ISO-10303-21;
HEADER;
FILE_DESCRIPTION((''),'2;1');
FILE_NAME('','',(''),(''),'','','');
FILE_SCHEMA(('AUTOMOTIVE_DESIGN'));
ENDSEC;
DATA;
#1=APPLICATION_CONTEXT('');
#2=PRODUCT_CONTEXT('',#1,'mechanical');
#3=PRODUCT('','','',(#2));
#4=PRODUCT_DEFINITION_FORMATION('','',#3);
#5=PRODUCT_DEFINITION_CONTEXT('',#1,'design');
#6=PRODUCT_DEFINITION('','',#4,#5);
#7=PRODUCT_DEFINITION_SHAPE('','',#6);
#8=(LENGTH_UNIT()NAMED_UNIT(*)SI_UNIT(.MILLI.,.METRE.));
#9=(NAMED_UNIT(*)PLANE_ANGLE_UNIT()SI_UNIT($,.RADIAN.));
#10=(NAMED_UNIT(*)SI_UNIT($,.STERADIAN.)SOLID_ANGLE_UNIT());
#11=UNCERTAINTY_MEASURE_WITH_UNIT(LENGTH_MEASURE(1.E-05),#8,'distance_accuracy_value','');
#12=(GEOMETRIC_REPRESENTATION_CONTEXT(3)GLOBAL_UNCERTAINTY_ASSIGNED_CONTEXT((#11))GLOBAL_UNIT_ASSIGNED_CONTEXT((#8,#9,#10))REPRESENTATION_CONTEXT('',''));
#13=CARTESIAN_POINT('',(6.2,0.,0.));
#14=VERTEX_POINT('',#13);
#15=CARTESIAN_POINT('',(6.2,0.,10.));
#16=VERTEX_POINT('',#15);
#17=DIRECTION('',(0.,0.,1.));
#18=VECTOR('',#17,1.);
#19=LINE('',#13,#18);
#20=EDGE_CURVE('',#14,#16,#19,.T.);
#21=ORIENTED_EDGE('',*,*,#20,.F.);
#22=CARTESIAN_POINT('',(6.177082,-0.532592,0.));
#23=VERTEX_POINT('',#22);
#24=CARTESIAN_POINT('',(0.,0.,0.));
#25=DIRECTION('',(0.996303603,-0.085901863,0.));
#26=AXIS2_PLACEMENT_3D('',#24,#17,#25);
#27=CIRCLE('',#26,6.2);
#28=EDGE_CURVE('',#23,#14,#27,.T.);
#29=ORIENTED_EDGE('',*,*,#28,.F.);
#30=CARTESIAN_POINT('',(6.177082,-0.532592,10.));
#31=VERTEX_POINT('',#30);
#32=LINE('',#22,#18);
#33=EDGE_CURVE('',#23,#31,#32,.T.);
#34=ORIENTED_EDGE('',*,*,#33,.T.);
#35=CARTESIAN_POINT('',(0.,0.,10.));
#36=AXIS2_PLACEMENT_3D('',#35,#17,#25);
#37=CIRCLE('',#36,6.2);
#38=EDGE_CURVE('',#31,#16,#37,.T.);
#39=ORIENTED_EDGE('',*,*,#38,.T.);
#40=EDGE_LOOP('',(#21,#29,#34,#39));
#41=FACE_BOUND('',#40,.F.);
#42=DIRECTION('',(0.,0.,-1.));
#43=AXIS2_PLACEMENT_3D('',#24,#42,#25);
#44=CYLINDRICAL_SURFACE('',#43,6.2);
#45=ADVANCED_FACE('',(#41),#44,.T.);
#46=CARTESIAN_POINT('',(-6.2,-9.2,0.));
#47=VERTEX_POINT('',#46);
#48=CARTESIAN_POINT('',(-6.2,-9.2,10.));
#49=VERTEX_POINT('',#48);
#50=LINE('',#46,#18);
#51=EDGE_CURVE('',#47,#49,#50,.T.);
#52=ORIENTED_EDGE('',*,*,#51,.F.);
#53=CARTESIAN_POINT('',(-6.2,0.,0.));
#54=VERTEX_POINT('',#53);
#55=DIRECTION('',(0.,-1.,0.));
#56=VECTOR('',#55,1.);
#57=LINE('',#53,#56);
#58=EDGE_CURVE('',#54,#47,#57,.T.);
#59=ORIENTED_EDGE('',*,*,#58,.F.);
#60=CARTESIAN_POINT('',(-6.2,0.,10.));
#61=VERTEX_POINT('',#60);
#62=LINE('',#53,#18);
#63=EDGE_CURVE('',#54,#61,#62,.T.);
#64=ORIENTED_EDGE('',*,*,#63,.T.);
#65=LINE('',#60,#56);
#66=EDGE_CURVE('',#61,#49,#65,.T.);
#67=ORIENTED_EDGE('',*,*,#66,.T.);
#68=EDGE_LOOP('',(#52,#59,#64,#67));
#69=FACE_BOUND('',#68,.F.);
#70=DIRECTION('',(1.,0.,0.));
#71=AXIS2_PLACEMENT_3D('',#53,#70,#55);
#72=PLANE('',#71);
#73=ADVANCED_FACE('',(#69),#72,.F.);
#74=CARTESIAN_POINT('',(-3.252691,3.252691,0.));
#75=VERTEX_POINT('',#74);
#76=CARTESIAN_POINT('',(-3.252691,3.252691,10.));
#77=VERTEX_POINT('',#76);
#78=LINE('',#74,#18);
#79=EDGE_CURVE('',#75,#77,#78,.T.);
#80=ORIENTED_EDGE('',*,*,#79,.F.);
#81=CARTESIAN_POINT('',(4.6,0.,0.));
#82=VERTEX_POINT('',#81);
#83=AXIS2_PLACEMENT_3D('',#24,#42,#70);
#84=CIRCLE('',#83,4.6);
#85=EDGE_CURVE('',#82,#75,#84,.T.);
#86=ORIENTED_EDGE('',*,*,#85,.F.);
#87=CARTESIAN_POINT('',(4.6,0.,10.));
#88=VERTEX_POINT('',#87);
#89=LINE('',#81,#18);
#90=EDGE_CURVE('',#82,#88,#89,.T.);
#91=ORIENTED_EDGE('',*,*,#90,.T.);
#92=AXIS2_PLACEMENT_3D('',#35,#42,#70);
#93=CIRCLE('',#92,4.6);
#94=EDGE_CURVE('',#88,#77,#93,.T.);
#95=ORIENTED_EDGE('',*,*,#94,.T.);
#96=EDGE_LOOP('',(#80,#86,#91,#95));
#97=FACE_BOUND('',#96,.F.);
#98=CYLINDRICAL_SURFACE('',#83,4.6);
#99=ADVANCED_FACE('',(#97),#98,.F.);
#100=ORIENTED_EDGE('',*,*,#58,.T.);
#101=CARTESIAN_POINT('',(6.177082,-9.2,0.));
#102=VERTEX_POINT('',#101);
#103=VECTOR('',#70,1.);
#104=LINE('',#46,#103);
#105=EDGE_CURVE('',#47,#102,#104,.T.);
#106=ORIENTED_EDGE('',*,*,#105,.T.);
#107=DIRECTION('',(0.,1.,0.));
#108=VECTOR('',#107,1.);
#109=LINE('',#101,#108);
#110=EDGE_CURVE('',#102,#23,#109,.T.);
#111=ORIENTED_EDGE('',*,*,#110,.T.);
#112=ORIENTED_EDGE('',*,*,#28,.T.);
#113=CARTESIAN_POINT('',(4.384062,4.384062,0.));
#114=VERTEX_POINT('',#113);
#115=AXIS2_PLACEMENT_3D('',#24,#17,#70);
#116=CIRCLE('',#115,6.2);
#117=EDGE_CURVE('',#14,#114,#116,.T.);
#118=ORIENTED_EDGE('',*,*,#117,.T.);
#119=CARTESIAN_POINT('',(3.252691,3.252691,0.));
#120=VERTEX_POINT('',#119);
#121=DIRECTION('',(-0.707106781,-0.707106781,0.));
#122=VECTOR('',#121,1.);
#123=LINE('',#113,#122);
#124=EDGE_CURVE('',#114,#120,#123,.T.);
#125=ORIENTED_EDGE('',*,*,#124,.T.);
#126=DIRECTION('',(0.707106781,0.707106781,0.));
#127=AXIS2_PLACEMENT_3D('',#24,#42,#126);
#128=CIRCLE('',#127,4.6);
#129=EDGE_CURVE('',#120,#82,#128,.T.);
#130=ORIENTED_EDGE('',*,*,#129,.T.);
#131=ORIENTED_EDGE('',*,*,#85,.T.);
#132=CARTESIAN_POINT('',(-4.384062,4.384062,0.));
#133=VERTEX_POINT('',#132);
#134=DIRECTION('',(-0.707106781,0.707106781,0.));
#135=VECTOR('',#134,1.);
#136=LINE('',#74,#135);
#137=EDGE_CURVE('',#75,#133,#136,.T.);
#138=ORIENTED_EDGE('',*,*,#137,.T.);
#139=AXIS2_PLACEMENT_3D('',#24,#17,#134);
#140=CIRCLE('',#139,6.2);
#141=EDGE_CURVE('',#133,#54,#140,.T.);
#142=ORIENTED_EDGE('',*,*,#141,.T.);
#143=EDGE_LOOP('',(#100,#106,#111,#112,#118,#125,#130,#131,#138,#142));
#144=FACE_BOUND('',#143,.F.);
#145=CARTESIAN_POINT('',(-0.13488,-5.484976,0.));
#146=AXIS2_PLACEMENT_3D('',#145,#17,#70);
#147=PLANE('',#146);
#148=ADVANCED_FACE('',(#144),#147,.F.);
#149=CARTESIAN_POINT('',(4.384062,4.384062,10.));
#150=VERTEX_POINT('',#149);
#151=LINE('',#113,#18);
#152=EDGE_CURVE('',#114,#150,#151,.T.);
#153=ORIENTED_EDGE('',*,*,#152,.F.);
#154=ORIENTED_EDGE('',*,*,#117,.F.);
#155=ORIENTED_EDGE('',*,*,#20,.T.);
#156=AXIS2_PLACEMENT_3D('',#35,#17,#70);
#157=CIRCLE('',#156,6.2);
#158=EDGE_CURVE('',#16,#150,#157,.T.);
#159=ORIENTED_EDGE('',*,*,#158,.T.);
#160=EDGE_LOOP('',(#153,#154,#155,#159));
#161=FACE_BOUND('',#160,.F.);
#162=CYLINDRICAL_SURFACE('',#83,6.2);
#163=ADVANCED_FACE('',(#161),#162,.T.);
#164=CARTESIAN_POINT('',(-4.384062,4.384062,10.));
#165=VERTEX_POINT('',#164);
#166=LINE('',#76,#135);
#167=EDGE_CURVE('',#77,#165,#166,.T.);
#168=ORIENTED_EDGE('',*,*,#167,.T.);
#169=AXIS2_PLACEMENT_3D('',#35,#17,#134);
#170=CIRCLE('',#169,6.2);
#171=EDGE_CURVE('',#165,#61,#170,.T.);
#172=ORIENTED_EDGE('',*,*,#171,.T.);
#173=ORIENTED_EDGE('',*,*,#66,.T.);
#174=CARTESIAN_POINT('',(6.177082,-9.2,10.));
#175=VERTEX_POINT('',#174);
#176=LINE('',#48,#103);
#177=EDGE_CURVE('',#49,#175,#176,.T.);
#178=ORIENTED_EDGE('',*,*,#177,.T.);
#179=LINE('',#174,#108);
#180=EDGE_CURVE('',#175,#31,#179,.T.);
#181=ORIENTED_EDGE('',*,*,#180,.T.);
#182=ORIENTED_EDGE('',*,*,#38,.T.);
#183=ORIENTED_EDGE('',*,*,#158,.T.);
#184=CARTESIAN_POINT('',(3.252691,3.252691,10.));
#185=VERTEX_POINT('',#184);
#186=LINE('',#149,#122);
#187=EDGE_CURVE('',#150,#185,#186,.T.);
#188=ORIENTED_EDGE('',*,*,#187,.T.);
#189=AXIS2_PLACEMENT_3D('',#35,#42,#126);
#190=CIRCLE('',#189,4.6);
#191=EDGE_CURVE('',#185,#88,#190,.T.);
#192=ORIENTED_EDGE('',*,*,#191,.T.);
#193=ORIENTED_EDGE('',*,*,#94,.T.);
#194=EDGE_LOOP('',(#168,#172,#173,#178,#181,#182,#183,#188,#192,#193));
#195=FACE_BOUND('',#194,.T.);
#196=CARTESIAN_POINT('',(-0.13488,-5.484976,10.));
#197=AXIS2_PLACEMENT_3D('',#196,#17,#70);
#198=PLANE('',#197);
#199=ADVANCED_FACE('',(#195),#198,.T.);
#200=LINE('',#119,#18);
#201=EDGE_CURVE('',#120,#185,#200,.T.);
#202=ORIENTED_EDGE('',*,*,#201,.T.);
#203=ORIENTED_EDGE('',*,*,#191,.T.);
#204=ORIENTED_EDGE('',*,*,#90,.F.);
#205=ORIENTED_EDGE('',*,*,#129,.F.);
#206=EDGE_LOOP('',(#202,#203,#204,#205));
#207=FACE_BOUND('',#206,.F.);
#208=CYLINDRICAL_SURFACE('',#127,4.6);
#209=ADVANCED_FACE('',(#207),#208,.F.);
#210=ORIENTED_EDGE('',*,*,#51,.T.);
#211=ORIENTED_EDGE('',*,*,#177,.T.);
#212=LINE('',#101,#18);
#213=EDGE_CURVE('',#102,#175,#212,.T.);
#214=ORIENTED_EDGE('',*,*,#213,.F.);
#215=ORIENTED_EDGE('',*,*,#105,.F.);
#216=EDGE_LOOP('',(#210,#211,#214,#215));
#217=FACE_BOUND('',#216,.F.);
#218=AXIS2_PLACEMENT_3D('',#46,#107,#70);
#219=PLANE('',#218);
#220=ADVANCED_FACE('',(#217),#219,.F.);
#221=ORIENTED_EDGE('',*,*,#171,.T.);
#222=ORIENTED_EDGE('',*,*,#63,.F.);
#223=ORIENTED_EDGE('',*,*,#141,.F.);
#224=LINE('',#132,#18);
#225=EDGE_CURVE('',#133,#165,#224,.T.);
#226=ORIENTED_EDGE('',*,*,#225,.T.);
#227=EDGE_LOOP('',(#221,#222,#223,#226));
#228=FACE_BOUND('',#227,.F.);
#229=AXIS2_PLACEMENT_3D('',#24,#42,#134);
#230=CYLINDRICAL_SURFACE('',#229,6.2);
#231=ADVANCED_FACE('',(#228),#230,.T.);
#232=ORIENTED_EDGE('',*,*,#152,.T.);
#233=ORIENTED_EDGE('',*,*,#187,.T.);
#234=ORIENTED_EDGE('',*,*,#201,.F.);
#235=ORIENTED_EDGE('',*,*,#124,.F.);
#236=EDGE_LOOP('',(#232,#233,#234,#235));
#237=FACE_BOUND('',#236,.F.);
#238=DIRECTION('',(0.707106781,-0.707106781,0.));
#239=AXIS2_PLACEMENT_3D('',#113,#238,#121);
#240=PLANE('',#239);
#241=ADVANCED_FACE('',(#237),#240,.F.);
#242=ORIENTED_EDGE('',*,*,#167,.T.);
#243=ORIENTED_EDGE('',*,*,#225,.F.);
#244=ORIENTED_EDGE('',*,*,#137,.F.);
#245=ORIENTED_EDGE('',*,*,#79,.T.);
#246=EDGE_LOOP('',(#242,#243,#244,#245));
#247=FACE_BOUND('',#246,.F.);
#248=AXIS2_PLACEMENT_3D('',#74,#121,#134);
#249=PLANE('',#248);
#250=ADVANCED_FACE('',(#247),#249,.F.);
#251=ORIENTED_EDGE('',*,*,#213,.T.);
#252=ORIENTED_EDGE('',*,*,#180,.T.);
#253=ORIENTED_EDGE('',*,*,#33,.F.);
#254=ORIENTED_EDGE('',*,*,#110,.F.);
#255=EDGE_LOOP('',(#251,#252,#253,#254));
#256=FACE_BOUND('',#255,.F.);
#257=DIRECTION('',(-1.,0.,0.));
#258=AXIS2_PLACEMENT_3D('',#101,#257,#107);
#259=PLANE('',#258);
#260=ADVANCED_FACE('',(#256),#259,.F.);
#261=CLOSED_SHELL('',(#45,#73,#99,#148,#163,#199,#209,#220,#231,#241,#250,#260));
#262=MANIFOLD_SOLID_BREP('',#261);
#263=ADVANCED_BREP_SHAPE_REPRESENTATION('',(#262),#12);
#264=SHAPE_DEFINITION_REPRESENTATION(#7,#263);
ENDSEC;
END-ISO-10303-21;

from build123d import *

# Parameters (mm, degrees)
F1_DEPTH = 10


with BuildPart() as f1:
    # F0 (on Top) → F1 (new body)
    with BuildSketch(Plane.XY):
        with BuildLine():
            ThreePointArc((6.1770823402, -0.5325915535), (-0.2665422021, -6.1942679353), (-6.2, 0))
            Line((-6.2, 0), (-6.2, -9.2))
            Line((-6.2, -9.2), (6.1770823402, -9.2))
            Line((6.1770823402, -9.2), (6.1770823402, -0.5325915535))
        make_face()
        with BuildLine():
            ThreePointArc((3.2526911935, 3.2526911935), (4.2498458496, 1.7603437889), (4.6, 0))
            ThreePointArc((4.6, 0), (-1.7603437889, -4.2498458496), (-3.2526911935, 3.2526911935))
            Line((-3.2526911935, 3.2526911935), (-4.3840620434, 4.3840620434))
            ThreePointArc((-4.3840620434, 4.3840620434), (-5.7280531016, 2.3726372807), (-6.2, 0))
            ThreePointArc((-6.2, 0), (-0.2665422021, -6.1942679353), (6.1770823402, -0.5325915535))
            ThreePointArc((6.1770823402, -0.5325915535), (6.1942679353, -0.2665422021), (6.2, 0))
            ThreePointArc((6.2, 0), (5.7280531016, 2.3726372807), (4.3840620434, 4.3840620434))
            Line((4.3840620434, 4.3840620434), (3.2526911935, 3.2526911935))
        make_face()
    extrude(amount=F1_DEPTH)


solid = f1.part
